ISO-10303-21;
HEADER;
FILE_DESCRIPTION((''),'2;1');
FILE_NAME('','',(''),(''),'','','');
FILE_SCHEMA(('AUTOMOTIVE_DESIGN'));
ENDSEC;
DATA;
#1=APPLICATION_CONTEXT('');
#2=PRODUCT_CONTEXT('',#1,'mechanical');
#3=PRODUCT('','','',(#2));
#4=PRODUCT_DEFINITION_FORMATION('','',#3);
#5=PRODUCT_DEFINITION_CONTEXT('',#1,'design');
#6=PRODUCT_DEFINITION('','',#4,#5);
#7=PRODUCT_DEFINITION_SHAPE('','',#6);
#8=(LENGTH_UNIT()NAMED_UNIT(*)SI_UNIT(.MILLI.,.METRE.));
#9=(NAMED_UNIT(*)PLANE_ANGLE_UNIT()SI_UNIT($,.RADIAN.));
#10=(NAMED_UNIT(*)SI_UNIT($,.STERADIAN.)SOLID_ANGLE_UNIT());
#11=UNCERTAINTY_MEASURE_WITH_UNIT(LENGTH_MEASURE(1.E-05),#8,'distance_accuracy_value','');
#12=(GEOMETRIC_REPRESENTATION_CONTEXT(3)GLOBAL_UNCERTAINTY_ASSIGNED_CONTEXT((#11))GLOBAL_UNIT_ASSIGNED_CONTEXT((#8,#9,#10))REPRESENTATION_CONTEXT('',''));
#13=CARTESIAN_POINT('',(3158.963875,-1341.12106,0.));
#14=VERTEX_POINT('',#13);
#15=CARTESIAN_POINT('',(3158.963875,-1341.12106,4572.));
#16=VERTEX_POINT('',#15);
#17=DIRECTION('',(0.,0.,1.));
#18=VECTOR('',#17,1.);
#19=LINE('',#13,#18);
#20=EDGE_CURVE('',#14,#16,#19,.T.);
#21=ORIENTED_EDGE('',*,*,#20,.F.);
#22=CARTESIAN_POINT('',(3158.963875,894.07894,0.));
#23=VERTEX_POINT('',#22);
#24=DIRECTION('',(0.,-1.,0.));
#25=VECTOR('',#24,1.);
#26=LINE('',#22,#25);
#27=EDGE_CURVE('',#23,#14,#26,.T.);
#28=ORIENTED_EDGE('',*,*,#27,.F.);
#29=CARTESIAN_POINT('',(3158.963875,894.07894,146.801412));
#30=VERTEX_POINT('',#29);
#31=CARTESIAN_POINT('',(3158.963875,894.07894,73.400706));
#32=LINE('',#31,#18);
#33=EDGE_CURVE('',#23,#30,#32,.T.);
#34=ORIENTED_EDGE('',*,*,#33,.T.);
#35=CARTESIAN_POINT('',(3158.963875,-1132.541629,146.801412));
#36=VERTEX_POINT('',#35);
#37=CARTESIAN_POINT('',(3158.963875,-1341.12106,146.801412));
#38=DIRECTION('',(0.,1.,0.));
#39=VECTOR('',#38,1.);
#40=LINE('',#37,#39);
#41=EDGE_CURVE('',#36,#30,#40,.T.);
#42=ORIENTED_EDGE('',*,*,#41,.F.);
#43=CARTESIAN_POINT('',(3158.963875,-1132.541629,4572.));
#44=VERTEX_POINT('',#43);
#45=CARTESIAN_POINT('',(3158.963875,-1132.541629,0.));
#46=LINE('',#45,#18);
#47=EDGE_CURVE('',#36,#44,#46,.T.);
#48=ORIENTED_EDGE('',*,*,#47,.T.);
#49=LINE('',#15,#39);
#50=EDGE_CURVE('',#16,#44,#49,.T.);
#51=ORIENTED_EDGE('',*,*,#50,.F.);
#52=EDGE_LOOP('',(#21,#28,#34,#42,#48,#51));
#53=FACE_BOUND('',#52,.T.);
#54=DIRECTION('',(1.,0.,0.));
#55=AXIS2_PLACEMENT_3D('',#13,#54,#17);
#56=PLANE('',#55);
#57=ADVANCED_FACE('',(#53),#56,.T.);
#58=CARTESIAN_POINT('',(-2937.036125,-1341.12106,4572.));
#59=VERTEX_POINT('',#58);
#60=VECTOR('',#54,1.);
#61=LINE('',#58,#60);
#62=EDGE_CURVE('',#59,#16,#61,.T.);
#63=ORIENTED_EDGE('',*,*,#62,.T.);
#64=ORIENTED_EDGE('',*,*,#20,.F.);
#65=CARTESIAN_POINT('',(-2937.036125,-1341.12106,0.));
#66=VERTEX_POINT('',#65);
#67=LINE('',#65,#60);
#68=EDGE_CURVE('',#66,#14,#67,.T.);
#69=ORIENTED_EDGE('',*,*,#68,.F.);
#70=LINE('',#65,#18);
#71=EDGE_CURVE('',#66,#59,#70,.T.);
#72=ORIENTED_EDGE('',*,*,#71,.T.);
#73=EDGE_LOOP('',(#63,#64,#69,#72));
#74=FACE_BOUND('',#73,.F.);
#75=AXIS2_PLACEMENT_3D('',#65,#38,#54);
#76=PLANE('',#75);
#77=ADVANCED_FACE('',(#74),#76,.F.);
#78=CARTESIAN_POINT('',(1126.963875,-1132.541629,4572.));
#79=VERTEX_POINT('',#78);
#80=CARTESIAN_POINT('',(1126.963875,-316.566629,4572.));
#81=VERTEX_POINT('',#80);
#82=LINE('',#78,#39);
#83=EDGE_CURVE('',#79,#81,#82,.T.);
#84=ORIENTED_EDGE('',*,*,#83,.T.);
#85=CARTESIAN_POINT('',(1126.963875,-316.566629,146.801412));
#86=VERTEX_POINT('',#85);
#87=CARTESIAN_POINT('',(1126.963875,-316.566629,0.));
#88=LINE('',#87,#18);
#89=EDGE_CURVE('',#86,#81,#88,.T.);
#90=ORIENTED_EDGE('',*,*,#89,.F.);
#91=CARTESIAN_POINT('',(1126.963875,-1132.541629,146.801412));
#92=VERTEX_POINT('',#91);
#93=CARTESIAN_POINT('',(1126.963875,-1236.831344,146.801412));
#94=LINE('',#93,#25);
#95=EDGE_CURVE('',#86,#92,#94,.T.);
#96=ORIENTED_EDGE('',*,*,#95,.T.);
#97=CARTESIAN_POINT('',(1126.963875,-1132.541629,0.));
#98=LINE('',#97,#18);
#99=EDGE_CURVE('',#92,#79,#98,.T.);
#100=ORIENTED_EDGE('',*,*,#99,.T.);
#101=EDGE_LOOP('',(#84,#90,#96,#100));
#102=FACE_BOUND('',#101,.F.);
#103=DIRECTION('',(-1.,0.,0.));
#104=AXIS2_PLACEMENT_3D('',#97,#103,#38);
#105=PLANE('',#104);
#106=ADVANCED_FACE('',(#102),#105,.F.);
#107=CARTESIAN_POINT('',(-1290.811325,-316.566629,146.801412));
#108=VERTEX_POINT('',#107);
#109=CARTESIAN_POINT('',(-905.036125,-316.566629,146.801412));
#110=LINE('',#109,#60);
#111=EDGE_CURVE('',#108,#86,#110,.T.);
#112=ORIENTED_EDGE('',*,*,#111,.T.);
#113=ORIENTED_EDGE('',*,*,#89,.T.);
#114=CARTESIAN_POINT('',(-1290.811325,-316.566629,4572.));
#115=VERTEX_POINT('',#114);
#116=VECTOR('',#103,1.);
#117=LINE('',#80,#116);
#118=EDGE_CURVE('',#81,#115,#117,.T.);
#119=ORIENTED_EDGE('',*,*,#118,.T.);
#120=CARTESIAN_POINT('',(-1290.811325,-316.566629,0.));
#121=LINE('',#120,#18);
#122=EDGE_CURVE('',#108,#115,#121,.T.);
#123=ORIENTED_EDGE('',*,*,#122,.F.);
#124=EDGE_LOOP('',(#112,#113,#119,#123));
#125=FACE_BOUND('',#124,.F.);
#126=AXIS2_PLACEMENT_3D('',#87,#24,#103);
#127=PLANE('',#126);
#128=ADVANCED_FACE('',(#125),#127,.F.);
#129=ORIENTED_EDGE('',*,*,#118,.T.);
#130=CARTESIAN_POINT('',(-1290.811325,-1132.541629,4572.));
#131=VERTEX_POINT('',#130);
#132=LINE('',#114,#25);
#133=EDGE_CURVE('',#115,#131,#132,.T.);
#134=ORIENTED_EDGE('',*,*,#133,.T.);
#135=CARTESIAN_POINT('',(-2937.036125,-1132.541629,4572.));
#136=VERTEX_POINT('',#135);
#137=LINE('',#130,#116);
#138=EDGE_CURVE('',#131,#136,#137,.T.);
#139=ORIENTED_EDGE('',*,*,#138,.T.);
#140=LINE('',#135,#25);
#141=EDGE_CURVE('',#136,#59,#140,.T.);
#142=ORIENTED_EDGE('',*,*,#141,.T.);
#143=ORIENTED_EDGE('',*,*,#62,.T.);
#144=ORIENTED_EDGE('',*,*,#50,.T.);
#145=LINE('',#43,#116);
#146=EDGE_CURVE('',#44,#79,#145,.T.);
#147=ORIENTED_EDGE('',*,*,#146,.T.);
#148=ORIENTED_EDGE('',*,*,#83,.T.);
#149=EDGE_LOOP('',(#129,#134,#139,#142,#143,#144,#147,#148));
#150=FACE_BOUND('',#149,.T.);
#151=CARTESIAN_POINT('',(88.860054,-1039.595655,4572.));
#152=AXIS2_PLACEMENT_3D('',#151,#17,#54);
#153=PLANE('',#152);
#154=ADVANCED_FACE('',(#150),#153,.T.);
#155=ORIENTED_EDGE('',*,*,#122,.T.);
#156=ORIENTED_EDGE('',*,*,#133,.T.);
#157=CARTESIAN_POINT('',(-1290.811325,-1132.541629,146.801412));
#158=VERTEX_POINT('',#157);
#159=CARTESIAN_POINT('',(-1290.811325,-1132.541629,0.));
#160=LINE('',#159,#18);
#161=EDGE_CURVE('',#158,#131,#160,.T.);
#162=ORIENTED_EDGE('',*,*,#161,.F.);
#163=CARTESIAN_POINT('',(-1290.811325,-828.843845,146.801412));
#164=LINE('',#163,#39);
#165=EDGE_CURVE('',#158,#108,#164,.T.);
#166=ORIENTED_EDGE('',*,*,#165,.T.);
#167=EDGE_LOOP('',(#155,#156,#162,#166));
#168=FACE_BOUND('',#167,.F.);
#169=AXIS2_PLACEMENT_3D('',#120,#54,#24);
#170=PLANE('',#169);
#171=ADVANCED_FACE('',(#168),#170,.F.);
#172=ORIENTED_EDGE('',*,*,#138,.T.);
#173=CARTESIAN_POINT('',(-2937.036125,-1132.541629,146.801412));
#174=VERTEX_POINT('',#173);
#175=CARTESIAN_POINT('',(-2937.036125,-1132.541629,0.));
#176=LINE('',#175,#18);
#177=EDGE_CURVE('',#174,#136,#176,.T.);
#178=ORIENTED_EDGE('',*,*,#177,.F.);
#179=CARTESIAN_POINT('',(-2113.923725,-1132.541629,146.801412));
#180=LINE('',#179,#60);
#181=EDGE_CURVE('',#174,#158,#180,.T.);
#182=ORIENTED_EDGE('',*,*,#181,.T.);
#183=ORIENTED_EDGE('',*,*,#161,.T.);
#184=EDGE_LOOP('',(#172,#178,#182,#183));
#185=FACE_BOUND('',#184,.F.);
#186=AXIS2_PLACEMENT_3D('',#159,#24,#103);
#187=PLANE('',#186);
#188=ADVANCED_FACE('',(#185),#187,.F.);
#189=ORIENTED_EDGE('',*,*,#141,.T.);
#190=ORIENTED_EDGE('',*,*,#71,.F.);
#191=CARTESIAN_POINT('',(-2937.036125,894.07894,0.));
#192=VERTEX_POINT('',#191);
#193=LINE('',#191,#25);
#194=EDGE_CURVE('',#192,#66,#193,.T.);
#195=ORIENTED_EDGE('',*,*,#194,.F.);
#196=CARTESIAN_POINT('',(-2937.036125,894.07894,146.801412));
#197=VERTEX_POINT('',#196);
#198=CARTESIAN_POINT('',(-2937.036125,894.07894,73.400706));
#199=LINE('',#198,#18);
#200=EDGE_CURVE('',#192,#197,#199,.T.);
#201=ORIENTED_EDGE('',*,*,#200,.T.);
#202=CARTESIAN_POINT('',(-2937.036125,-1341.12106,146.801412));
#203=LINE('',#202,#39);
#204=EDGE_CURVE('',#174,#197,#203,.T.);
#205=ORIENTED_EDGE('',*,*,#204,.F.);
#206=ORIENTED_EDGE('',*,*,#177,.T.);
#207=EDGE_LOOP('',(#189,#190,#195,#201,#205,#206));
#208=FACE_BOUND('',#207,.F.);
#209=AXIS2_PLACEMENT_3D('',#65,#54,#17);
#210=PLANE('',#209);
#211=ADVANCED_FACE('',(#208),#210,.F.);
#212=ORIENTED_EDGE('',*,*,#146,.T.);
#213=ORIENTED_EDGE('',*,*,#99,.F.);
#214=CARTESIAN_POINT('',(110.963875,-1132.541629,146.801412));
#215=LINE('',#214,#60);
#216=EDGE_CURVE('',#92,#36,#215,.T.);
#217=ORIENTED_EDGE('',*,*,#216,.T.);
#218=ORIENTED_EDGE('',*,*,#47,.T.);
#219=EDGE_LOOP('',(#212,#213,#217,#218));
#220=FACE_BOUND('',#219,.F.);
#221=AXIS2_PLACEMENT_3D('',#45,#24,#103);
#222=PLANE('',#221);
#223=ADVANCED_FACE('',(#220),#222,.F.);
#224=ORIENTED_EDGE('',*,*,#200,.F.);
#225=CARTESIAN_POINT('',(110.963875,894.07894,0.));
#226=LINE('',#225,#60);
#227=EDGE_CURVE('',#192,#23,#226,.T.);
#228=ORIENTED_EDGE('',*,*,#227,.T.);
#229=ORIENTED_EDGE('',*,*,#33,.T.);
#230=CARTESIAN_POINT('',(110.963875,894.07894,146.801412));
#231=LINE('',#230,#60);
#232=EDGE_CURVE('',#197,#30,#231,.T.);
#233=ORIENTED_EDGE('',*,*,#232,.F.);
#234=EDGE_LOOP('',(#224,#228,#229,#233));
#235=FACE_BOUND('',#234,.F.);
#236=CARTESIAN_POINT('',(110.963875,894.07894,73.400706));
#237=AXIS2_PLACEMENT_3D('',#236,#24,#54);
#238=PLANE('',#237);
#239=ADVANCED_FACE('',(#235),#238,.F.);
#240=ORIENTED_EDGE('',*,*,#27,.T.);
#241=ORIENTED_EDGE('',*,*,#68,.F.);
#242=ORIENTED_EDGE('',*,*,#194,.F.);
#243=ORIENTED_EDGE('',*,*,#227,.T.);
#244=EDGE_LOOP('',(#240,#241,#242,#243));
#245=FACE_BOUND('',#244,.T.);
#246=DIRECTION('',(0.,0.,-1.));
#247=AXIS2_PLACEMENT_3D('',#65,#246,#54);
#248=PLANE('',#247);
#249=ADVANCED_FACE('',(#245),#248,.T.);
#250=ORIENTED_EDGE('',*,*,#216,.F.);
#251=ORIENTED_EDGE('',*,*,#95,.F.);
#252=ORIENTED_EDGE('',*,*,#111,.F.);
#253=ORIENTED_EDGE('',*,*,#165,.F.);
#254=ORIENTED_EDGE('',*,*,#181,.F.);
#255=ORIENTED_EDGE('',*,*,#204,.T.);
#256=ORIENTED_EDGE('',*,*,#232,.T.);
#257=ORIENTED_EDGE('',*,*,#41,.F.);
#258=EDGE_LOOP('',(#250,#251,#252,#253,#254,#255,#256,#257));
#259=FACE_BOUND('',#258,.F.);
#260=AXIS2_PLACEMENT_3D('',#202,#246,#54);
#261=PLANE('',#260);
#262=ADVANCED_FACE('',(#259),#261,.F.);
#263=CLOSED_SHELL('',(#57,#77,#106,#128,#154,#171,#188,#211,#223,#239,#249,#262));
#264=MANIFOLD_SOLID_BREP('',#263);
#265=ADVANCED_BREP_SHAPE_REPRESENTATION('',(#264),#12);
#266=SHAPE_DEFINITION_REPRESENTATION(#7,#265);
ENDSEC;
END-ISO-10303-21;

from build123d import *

# Parameters (mm, degrees)
F1_DEPTH = 4572
F2_W     = 6096
F2_H     = 146.801412
F3_DEPTH = 2235.2


with BuildPart() as f1:
    # F0 (on Top) → F1 (new body)
    with BuildSketch(Plane.XY):
        Polygon((-2937.036125, -1132.541629), (-2937.036125, -1341.12106), (3158.963875, -1341.12106), (3158.963875, -1132.541629), (1126.963875, -1132.541629), (1126.963875, -316.566629), (-1290.811325, -316.566629), (-1290.811325, -1132.541629), align=None)
    extrude(amount=F1_DEPTH)

    # F2 (on face) → F3 (join)
    with BuildSketch(Plane.XZ.offset(1341.12106)):
        with Locations((110.963875, 73.400706)):
            Rectangle(F2_W, F2_H)
    extrude(amount=-F3_DEPTH)


solid = f1.part
